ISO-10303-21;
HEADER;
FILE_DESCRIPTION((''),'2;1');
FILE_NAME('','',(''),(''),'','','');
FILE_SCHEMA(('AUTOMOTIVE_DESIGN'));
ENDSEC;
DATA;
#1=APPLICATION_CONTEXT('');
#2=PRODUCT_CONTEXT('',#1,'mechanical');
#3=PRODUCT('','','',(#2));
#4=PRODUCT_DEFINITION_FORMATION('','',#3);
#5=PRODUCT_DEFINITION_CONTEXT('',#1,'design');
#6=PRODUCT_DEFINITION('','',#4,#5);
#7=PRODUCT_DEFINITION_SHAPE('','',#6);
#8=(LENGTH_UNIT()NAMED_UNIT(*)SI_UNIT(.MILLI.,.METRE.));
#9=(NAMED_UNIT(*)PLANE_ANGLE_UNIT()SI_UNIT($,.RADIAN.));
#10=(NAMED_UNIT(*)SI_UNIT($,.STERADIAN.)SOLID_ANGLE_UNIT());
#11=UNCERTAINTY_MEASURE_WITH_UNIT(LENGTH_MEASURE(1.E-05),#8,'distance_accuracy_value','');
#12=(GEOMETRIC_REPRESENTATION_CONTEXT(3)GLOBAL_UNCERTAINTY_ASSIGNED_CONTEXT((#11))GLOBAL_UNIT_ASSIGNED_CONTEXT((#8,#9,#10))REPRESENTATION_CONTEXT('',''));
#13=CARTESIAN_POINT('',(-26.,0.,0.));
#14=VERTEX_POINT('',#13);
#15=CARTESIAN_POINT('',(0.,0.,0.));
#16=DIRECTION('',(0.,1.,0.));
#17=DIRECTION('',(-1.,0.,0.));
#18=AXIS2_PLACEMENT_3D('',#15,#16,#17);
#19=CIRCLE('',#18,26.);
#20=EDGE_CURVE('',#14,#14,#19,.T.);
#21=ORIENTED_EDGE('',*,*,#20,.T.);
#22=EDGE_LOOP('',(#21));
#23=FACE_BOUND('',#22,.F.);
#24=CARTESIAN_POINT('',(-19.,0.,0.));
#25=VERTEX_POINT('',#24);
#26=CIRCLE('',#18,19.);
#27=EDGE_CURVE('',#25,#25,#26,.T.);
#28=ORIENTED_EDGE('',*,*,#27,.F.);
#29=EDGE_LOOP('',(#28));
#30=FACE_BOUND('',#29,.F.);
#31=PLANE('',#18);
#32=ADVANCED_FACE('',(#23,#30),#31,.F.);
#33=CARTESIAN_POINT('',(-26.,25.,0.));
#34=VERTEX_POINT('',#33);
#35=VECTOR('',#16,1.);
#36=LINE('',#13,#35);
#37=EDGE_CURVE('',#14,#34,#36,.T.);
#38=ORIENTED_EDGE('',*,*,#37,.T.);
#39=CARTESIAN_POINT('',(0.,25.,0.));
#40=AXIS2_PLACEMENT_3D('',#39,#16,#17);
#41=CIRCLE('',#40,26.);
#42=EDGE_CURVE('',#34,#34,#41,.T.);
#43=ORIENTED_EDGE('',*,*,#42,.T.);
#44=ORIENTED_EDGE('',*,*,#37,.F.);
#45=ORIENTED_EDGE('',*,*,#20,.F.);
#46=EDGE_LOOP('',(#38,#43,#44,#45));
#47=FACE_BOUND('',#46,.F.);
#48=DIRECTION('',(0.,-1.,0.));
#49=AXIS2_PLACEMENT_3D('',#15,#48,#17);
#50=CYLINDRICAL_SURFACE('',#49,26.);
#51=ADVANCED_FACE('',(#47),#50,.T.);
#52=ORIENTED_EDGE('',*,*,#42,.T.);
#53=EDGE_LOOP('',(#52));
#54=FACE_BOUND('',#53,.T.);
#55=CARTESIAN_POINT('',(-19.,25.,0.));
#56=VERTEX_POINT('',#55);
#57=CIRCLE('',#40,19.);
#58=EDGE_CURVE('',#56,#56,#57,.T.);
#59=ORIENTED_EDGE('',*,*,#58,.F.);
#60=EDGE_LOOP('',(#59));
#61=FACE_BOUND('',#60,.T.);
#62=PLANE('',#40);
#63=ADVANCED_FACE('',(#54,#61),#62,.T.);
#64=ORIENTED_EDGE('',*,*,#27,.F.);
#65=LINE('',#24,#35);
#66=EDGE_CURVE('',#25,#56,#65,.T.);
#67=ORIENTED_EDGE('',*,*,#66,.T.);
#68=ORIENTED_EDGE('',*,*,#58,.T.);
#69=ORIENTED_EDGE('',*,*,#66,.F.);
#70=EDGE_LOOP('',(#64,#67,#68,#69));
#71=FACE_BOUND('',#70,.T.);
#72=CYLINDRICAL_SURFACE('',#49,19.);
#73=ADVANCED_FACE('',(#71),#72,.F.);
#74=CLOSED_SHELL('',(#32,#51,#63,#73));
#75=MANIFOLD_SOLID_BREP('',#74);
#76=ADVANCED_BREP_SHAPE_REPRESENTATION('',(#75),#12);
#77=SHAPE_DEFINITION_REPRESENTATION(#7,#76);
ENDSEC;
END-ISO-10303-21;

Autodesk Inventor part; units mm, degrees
ref_plane "YZ Plane" through (0, 0, 0) normal (1, 0, 0) x (0, 1, 0)
ref_plane "XZ Plane" through (0, 0, 0) normal (0, 1, 0) x (-1, 0, 0)
ref_plane "XY Plane" through (0, 0, 0) normal (0, 0, 1) x (1, 0, 0)
sketch "Sketch1" plane through (0, 0, 0) normal (0, 1, 0) x (-1, 0, 0)
  circle A0 centre (0, 0) radius 26
  circle A1 centre (0, 0) radius 19
  dimension "d0" = 52
  dimension "d1" = 38
extrude "Extrusion1" add sketch "Sketch1" along normal blind 25
properties part number "Opona" material "Glass"
